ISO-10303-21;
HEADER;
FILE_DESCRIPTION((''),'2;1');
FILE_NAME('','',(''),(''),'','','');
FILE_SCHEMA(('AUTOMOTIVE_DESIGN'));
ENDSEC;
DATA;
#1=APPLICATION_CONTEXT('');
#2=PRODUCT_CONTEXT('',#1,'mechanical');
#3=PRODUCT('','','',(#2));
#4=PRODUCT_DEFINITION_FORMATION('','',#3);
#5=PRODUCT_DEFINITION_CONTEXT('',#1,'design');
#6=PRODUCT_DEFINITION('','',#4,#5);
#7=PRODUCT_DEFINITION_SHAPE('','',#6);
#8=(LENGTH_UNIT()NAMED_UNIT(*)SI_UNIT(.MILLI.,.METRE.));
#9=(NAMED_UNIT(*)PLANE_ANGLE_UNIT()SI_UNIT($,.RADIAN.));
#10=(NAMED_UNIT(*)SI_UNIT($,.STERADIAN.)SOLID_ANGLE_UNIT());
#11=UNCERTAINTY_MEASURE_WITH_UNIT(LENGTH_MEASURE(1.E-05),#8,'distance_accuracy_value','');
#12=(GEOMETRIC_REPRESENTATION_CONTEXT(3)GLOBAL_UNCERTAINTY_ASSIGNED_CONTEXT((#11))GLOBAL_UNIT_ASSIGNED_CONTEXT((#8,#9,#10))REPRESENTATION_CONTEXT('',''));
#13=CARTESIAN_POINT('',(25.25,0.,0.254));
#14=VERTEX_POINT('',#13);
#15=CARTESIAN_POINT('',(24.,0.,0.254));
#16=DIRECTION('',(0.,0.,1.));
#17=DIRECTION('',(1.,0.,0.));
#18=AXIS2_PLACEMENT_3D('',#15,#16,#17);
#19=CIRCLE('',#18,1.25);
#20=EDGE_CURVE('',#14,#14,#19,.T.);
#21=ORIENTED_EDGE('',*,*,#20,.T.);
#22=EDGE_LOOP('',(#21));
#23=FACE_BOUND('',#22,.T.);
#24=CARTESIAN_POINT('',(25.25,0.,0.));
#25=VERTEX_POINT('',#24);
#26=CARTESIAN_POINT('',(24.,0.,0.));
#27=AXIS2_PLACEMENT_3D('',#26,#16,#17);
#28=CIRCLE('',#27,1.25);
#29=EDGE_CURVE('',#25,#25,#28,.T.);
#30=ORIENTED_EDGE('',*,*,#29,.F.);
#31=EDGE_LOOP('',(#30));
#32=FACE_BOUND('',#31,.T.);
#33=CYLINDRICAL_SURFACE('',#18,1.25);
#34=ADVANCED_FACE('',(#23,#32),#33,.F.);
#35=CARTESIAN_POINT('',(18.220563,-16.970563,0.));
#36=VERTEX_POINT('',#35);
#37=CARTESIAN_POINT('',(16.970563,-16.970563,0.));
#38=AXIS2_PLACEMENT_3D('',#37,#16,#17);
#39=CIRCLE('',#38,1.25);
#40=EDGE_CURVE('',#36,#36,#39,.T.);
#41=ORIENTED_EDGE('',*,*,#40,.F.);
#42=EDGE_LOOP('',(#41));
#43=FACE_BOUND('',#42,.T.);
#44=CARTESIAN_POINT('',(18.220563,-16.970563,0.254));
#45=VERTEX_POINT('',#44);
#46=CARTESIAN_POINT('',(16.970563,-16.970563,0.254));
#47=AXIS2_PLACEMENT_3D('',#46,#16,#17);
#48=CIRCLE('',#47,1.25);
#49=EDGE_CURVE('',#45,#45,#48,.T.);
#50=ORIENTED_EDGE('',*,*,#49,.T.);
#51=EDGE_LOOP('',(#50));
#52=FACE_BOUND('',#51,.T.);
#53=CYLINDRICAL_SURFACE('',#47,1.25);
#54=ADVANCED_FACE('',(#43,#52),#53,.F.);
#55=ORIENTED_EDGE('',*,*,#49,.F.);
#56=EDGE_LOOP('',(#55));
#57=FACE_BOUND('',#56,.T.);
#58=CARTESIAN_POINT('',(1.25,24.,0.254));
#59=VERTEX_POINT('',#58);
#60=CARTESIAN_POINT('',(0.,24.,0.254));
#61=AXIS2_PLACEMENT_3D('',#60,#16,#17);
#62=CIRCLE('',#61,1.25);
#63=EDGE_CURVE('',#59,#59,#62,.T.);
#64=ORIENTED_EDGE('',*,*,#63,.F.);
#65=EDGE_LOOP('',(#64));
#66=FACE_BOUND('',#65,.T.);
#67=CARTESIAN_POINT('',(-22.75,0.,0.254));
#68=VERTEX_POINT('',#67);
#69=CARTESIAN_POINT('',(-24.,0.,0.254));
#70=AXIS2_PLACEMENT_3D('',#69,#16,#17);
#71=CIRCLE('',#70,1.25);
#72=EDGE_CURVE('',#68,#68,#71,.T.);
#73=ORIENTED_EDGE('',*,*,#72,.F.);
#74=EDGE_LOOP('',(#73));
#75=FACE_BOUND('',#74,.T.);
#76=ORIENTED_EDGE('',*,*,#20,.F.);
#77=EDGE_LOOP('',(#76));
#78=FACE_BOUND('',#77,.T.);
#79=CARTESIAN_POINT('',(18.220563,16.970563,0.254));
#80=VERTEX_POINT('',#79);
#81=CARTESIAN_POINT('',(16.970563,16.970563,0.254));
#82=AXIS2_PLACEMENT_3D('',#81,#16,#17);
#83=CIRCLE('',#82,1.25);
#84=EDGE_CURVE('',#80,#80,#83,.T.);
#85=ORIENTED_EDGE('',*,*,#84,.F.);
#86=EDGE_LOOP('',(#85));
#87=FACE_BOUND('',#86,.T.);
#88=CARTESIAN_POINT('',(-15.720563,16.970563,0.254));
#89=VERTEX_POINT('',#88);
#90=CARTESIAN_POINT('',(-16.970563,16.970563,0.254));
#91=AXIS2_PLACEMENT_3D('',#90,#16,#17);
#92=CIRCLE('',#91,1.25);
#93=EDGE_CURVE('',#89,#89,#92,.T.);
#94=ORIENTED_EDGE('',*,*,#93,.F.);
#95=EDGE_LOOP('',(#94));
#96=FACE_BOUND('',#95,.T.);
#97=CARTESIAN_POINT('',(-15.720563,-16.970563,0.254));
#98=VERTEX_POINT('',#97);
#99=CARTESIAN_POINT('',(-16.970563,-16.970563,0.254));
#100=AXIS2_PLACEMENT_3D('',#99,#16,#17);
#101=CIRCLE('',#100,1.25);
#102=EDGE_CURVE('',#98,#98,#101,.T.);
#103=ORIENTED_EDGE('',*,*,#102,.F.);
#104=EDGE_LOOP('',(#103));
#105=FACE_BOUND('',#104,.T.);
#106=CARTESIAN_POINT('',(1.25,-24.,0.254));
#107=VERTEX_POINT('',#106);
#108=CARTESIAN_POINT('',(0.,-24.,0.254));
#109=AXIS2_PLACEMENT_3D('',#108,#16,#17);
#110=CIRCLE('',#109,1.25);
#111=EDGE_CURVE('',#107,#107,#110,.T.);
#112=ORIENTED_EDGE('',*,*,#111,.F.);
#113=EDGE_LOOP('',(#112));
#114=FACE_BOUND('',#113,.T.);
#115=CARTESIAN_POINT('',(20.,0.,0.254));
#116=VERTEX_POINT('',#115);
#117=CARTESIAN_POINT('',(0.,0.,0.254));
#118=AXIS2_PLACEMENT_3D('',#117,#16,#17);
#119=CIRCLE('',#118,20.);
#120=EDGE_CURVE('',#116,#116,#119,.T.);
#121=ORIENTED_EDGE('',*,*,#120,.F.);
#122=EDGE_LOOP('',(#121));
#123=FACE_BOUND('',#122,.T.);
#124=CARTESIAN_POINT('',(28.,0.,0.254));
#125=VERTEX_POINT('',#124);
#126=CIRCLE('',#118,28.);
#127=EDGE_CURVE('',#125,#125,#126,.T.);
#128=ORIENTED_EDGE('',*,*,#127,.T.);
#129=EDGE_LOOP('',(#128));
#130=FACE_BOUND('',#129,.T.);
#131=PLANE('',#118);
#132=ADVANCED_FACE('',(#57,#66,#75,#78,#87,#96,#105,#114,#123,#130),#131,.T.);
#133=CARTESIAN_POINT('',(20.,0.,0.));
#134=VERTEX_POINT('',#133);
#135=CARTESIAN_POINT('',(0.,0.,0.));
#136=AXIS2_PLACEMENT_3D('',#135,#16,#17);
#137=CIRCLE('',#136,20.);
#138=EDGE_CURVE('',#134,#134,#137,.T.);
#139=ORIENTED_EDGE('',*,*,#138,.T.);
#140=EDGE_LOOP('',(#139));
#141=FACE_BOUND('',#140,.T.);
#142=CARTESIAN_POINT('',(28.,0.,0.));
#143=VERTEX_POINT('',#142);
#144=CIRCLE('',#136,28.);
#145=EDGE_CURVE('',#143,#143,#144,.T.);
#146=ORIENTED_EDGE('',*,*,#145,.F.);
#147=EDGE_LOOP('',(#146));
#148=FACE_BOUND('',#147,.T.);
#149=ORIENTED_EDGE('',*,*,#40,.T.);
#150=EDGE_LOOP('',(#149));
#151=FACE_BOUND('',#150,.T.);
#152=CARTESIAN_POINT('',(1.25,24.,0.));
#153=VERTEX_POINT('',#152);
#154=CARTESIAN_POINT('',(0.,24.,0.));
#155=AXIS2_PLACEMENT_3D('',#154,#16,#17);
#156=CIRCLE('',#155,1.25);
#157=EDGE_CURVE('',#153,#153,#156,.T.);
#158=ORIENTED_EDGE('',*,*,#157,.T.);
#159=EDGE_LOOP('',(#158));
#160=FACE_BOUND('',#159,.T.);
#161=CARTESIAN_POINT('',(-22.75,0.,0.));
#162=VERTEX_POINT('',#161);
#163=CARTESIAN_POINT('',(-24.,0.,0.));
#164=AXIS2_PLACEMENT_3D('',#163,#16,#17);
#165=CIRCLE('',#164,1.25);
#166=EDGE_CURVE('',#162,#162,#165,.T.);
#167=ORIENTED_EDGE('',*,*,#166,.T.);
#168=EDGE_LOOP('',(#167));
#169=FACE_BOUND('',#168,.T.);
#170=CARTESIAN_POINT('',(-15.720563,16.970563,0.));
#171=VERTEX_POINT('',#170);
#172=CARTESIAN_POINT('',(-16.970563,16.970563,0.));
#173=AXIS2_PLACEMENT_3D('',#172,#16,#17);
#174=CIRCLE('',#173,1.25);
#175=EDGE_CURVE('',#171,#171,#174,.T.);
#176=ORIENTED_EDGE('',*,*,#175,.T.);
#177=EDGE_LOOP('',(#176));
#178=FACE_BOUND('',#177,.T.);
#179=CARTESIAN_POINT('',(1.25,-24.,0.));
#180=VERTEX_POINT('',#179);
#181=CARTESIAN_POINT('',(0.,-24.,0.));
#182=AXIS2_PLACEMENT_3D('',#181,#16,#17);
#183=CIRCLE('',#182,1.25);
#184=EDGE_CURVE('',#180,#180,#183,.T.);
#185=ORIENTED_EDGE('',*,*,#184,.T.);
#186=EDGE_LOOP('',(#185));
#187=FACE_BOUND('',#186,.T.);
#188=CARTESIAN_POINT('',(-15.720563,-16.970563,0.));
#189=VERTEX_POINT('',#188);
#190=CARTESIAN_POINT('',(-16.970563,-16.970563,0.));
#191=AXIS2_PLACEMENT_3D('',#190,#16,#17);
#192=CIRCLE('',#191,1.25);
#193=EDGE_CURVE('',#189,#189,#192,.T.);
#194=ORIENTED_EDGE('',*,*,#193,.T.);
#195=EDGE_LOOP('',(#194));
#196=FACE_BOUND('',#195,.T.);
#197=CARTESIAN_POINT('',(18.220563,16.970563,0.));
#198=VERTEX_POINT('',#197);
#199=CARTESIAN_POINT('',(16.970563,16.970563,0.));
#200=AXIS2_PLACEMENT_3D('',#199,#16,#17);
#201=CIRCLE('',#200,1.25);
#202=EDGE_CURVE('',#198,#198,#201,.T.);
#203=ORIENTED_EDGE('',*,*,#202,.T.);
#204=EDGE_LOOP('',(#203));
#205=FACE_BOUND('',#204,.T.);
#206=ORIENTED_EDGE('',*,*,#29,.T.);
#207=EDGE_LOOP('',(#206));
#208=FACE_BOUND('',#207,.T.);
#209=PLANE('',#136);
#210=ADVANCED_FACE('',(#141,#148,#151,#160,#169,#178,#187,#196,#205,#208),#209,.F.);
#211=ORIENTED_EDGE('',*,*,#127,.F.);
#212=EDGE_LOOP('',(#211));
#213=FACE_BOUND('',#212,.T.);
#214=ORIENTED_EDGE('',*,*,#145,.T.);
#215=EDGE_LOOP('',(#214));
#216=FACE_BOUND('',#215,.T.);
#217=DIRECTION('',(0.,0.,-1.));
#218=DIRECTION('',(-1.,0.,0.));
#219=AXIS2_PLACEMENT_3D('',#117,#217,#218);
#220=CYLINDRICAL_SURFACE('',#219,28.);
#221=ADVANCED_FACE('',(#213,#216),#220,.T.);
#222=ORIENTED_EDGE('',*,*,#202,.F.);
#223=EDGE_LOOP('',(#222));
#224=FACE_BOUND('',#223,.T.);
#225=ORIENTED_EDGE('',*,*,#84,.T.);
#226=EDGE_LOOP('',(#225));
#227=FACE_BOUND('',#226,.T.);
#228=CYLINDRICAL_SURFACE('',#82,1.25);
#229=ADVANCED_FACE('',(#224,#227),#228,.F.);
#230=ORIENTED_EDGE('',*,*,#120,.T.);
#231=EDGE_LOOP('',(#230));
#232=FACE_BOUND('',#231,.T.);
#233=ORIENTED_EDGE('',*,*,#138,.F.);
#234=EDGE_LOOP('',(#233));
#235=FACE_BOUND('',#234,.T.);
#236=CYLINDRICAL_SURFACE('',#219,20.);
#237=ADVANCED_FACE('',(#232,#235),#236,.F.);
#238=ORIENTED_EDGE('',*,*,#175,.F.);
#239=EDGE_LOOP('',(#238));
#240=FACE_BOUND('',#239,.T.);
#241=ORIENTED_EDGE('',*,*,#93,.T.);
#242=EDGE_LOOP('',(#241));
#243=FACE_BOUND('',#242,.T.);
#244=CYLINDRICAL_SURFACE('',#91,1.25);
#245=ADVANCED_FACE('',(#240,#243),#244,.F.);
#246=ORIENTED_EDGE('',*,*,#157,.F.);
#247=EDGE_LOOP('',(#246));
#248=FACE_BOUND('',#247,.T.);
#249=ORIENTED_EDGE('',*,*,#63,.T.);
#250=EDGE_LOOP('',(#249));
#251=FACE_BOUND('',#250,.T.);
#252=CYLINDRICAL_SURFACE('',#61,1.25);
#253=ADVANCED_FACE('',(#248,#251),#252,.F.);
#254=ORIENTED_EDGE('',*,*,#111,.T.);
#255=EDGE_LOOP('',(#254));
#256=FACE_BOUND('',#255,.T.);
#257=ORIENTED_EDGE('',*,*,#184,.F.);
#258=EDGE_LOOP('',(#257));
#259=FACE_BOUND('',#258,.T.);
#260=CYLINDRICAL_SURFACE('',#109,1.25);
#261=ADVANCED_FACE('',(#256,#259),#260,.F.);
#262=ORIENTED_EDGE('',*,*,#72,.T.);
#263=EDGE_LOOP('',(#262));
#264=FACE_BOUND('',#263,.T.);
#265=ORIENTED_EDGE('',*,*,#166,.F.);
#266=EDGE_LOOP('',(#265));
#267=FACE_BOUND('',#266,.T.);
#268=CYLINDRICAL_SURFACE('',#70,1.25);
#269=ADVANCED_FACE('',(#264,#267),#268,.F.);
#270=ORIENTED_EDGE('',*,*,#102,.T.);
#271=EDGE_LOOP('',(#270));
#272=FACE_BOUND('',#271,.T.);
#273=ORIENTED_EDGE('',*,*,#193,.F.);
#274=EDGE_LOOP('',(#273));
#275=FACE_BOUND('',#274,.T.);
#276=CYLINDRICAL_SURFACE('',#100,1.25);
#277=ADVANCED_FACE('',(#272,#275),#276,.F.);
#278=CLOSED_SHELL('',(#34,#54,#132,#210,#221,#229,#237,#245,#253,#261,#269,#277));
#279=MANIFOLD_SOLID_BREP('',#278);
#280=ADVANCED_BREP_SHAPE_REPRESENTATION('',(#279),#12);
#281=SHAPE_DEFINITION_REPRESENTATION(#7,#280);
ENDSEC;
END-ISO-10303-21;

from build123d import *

# Parameters (mm, degrees)
SKETCH1_R           = 28
SKETCH1_R_2         = 20
BOSS_EXTRUDE1_DEPTH = 0.254
CIRPATTERN1_COUNT   = 8


with BuildPart() as part:
    # Sketch1 → Boss-Extrude1 (new body)
    with BuildSketch(Plane.XY):
        Circle(SKETCH1_R)
        Circle(SKETCH1_R_2, mode=Mode.SUBTRACT)
    extrude(amount=BOSS_EXTRUDE1_DEPTH)

    # Sketch2 → Ø2.5 (2.5) Diameter Hole1 (revolve, cut)
    with BuildSketch(Plane(origin=(0, 24, 0.254), x_dir=(0, -1, 0), z_dir=(1, 0, 0))):
        Polygon((0, 0), (0, 2.251075774), (1.25, 1.5), (1.25, 0), align=None)
    f_2_5_2_5_diameter_hole1 = revolve(axis=Axis((0, 24, 6.604), (0, 0, -1)), mode=Mode.SUBTRACT)

    # CirPattern1: Ø2.5 (2.5) Diameter Hole1 ×8 about axis
    cirpattern1_axis = Axis((0, 0, -0.0127), (0, 0, -1))
    for i in range(1, CIRPATTERN1_COUNT):
        add(f_2_5_2_5_diameter_hole1.rotate(cirpattern1_axis, i * 360 / CIRPATTERN1_COUNT), mode=Mode.SUBTRACT)


solid = part.part
